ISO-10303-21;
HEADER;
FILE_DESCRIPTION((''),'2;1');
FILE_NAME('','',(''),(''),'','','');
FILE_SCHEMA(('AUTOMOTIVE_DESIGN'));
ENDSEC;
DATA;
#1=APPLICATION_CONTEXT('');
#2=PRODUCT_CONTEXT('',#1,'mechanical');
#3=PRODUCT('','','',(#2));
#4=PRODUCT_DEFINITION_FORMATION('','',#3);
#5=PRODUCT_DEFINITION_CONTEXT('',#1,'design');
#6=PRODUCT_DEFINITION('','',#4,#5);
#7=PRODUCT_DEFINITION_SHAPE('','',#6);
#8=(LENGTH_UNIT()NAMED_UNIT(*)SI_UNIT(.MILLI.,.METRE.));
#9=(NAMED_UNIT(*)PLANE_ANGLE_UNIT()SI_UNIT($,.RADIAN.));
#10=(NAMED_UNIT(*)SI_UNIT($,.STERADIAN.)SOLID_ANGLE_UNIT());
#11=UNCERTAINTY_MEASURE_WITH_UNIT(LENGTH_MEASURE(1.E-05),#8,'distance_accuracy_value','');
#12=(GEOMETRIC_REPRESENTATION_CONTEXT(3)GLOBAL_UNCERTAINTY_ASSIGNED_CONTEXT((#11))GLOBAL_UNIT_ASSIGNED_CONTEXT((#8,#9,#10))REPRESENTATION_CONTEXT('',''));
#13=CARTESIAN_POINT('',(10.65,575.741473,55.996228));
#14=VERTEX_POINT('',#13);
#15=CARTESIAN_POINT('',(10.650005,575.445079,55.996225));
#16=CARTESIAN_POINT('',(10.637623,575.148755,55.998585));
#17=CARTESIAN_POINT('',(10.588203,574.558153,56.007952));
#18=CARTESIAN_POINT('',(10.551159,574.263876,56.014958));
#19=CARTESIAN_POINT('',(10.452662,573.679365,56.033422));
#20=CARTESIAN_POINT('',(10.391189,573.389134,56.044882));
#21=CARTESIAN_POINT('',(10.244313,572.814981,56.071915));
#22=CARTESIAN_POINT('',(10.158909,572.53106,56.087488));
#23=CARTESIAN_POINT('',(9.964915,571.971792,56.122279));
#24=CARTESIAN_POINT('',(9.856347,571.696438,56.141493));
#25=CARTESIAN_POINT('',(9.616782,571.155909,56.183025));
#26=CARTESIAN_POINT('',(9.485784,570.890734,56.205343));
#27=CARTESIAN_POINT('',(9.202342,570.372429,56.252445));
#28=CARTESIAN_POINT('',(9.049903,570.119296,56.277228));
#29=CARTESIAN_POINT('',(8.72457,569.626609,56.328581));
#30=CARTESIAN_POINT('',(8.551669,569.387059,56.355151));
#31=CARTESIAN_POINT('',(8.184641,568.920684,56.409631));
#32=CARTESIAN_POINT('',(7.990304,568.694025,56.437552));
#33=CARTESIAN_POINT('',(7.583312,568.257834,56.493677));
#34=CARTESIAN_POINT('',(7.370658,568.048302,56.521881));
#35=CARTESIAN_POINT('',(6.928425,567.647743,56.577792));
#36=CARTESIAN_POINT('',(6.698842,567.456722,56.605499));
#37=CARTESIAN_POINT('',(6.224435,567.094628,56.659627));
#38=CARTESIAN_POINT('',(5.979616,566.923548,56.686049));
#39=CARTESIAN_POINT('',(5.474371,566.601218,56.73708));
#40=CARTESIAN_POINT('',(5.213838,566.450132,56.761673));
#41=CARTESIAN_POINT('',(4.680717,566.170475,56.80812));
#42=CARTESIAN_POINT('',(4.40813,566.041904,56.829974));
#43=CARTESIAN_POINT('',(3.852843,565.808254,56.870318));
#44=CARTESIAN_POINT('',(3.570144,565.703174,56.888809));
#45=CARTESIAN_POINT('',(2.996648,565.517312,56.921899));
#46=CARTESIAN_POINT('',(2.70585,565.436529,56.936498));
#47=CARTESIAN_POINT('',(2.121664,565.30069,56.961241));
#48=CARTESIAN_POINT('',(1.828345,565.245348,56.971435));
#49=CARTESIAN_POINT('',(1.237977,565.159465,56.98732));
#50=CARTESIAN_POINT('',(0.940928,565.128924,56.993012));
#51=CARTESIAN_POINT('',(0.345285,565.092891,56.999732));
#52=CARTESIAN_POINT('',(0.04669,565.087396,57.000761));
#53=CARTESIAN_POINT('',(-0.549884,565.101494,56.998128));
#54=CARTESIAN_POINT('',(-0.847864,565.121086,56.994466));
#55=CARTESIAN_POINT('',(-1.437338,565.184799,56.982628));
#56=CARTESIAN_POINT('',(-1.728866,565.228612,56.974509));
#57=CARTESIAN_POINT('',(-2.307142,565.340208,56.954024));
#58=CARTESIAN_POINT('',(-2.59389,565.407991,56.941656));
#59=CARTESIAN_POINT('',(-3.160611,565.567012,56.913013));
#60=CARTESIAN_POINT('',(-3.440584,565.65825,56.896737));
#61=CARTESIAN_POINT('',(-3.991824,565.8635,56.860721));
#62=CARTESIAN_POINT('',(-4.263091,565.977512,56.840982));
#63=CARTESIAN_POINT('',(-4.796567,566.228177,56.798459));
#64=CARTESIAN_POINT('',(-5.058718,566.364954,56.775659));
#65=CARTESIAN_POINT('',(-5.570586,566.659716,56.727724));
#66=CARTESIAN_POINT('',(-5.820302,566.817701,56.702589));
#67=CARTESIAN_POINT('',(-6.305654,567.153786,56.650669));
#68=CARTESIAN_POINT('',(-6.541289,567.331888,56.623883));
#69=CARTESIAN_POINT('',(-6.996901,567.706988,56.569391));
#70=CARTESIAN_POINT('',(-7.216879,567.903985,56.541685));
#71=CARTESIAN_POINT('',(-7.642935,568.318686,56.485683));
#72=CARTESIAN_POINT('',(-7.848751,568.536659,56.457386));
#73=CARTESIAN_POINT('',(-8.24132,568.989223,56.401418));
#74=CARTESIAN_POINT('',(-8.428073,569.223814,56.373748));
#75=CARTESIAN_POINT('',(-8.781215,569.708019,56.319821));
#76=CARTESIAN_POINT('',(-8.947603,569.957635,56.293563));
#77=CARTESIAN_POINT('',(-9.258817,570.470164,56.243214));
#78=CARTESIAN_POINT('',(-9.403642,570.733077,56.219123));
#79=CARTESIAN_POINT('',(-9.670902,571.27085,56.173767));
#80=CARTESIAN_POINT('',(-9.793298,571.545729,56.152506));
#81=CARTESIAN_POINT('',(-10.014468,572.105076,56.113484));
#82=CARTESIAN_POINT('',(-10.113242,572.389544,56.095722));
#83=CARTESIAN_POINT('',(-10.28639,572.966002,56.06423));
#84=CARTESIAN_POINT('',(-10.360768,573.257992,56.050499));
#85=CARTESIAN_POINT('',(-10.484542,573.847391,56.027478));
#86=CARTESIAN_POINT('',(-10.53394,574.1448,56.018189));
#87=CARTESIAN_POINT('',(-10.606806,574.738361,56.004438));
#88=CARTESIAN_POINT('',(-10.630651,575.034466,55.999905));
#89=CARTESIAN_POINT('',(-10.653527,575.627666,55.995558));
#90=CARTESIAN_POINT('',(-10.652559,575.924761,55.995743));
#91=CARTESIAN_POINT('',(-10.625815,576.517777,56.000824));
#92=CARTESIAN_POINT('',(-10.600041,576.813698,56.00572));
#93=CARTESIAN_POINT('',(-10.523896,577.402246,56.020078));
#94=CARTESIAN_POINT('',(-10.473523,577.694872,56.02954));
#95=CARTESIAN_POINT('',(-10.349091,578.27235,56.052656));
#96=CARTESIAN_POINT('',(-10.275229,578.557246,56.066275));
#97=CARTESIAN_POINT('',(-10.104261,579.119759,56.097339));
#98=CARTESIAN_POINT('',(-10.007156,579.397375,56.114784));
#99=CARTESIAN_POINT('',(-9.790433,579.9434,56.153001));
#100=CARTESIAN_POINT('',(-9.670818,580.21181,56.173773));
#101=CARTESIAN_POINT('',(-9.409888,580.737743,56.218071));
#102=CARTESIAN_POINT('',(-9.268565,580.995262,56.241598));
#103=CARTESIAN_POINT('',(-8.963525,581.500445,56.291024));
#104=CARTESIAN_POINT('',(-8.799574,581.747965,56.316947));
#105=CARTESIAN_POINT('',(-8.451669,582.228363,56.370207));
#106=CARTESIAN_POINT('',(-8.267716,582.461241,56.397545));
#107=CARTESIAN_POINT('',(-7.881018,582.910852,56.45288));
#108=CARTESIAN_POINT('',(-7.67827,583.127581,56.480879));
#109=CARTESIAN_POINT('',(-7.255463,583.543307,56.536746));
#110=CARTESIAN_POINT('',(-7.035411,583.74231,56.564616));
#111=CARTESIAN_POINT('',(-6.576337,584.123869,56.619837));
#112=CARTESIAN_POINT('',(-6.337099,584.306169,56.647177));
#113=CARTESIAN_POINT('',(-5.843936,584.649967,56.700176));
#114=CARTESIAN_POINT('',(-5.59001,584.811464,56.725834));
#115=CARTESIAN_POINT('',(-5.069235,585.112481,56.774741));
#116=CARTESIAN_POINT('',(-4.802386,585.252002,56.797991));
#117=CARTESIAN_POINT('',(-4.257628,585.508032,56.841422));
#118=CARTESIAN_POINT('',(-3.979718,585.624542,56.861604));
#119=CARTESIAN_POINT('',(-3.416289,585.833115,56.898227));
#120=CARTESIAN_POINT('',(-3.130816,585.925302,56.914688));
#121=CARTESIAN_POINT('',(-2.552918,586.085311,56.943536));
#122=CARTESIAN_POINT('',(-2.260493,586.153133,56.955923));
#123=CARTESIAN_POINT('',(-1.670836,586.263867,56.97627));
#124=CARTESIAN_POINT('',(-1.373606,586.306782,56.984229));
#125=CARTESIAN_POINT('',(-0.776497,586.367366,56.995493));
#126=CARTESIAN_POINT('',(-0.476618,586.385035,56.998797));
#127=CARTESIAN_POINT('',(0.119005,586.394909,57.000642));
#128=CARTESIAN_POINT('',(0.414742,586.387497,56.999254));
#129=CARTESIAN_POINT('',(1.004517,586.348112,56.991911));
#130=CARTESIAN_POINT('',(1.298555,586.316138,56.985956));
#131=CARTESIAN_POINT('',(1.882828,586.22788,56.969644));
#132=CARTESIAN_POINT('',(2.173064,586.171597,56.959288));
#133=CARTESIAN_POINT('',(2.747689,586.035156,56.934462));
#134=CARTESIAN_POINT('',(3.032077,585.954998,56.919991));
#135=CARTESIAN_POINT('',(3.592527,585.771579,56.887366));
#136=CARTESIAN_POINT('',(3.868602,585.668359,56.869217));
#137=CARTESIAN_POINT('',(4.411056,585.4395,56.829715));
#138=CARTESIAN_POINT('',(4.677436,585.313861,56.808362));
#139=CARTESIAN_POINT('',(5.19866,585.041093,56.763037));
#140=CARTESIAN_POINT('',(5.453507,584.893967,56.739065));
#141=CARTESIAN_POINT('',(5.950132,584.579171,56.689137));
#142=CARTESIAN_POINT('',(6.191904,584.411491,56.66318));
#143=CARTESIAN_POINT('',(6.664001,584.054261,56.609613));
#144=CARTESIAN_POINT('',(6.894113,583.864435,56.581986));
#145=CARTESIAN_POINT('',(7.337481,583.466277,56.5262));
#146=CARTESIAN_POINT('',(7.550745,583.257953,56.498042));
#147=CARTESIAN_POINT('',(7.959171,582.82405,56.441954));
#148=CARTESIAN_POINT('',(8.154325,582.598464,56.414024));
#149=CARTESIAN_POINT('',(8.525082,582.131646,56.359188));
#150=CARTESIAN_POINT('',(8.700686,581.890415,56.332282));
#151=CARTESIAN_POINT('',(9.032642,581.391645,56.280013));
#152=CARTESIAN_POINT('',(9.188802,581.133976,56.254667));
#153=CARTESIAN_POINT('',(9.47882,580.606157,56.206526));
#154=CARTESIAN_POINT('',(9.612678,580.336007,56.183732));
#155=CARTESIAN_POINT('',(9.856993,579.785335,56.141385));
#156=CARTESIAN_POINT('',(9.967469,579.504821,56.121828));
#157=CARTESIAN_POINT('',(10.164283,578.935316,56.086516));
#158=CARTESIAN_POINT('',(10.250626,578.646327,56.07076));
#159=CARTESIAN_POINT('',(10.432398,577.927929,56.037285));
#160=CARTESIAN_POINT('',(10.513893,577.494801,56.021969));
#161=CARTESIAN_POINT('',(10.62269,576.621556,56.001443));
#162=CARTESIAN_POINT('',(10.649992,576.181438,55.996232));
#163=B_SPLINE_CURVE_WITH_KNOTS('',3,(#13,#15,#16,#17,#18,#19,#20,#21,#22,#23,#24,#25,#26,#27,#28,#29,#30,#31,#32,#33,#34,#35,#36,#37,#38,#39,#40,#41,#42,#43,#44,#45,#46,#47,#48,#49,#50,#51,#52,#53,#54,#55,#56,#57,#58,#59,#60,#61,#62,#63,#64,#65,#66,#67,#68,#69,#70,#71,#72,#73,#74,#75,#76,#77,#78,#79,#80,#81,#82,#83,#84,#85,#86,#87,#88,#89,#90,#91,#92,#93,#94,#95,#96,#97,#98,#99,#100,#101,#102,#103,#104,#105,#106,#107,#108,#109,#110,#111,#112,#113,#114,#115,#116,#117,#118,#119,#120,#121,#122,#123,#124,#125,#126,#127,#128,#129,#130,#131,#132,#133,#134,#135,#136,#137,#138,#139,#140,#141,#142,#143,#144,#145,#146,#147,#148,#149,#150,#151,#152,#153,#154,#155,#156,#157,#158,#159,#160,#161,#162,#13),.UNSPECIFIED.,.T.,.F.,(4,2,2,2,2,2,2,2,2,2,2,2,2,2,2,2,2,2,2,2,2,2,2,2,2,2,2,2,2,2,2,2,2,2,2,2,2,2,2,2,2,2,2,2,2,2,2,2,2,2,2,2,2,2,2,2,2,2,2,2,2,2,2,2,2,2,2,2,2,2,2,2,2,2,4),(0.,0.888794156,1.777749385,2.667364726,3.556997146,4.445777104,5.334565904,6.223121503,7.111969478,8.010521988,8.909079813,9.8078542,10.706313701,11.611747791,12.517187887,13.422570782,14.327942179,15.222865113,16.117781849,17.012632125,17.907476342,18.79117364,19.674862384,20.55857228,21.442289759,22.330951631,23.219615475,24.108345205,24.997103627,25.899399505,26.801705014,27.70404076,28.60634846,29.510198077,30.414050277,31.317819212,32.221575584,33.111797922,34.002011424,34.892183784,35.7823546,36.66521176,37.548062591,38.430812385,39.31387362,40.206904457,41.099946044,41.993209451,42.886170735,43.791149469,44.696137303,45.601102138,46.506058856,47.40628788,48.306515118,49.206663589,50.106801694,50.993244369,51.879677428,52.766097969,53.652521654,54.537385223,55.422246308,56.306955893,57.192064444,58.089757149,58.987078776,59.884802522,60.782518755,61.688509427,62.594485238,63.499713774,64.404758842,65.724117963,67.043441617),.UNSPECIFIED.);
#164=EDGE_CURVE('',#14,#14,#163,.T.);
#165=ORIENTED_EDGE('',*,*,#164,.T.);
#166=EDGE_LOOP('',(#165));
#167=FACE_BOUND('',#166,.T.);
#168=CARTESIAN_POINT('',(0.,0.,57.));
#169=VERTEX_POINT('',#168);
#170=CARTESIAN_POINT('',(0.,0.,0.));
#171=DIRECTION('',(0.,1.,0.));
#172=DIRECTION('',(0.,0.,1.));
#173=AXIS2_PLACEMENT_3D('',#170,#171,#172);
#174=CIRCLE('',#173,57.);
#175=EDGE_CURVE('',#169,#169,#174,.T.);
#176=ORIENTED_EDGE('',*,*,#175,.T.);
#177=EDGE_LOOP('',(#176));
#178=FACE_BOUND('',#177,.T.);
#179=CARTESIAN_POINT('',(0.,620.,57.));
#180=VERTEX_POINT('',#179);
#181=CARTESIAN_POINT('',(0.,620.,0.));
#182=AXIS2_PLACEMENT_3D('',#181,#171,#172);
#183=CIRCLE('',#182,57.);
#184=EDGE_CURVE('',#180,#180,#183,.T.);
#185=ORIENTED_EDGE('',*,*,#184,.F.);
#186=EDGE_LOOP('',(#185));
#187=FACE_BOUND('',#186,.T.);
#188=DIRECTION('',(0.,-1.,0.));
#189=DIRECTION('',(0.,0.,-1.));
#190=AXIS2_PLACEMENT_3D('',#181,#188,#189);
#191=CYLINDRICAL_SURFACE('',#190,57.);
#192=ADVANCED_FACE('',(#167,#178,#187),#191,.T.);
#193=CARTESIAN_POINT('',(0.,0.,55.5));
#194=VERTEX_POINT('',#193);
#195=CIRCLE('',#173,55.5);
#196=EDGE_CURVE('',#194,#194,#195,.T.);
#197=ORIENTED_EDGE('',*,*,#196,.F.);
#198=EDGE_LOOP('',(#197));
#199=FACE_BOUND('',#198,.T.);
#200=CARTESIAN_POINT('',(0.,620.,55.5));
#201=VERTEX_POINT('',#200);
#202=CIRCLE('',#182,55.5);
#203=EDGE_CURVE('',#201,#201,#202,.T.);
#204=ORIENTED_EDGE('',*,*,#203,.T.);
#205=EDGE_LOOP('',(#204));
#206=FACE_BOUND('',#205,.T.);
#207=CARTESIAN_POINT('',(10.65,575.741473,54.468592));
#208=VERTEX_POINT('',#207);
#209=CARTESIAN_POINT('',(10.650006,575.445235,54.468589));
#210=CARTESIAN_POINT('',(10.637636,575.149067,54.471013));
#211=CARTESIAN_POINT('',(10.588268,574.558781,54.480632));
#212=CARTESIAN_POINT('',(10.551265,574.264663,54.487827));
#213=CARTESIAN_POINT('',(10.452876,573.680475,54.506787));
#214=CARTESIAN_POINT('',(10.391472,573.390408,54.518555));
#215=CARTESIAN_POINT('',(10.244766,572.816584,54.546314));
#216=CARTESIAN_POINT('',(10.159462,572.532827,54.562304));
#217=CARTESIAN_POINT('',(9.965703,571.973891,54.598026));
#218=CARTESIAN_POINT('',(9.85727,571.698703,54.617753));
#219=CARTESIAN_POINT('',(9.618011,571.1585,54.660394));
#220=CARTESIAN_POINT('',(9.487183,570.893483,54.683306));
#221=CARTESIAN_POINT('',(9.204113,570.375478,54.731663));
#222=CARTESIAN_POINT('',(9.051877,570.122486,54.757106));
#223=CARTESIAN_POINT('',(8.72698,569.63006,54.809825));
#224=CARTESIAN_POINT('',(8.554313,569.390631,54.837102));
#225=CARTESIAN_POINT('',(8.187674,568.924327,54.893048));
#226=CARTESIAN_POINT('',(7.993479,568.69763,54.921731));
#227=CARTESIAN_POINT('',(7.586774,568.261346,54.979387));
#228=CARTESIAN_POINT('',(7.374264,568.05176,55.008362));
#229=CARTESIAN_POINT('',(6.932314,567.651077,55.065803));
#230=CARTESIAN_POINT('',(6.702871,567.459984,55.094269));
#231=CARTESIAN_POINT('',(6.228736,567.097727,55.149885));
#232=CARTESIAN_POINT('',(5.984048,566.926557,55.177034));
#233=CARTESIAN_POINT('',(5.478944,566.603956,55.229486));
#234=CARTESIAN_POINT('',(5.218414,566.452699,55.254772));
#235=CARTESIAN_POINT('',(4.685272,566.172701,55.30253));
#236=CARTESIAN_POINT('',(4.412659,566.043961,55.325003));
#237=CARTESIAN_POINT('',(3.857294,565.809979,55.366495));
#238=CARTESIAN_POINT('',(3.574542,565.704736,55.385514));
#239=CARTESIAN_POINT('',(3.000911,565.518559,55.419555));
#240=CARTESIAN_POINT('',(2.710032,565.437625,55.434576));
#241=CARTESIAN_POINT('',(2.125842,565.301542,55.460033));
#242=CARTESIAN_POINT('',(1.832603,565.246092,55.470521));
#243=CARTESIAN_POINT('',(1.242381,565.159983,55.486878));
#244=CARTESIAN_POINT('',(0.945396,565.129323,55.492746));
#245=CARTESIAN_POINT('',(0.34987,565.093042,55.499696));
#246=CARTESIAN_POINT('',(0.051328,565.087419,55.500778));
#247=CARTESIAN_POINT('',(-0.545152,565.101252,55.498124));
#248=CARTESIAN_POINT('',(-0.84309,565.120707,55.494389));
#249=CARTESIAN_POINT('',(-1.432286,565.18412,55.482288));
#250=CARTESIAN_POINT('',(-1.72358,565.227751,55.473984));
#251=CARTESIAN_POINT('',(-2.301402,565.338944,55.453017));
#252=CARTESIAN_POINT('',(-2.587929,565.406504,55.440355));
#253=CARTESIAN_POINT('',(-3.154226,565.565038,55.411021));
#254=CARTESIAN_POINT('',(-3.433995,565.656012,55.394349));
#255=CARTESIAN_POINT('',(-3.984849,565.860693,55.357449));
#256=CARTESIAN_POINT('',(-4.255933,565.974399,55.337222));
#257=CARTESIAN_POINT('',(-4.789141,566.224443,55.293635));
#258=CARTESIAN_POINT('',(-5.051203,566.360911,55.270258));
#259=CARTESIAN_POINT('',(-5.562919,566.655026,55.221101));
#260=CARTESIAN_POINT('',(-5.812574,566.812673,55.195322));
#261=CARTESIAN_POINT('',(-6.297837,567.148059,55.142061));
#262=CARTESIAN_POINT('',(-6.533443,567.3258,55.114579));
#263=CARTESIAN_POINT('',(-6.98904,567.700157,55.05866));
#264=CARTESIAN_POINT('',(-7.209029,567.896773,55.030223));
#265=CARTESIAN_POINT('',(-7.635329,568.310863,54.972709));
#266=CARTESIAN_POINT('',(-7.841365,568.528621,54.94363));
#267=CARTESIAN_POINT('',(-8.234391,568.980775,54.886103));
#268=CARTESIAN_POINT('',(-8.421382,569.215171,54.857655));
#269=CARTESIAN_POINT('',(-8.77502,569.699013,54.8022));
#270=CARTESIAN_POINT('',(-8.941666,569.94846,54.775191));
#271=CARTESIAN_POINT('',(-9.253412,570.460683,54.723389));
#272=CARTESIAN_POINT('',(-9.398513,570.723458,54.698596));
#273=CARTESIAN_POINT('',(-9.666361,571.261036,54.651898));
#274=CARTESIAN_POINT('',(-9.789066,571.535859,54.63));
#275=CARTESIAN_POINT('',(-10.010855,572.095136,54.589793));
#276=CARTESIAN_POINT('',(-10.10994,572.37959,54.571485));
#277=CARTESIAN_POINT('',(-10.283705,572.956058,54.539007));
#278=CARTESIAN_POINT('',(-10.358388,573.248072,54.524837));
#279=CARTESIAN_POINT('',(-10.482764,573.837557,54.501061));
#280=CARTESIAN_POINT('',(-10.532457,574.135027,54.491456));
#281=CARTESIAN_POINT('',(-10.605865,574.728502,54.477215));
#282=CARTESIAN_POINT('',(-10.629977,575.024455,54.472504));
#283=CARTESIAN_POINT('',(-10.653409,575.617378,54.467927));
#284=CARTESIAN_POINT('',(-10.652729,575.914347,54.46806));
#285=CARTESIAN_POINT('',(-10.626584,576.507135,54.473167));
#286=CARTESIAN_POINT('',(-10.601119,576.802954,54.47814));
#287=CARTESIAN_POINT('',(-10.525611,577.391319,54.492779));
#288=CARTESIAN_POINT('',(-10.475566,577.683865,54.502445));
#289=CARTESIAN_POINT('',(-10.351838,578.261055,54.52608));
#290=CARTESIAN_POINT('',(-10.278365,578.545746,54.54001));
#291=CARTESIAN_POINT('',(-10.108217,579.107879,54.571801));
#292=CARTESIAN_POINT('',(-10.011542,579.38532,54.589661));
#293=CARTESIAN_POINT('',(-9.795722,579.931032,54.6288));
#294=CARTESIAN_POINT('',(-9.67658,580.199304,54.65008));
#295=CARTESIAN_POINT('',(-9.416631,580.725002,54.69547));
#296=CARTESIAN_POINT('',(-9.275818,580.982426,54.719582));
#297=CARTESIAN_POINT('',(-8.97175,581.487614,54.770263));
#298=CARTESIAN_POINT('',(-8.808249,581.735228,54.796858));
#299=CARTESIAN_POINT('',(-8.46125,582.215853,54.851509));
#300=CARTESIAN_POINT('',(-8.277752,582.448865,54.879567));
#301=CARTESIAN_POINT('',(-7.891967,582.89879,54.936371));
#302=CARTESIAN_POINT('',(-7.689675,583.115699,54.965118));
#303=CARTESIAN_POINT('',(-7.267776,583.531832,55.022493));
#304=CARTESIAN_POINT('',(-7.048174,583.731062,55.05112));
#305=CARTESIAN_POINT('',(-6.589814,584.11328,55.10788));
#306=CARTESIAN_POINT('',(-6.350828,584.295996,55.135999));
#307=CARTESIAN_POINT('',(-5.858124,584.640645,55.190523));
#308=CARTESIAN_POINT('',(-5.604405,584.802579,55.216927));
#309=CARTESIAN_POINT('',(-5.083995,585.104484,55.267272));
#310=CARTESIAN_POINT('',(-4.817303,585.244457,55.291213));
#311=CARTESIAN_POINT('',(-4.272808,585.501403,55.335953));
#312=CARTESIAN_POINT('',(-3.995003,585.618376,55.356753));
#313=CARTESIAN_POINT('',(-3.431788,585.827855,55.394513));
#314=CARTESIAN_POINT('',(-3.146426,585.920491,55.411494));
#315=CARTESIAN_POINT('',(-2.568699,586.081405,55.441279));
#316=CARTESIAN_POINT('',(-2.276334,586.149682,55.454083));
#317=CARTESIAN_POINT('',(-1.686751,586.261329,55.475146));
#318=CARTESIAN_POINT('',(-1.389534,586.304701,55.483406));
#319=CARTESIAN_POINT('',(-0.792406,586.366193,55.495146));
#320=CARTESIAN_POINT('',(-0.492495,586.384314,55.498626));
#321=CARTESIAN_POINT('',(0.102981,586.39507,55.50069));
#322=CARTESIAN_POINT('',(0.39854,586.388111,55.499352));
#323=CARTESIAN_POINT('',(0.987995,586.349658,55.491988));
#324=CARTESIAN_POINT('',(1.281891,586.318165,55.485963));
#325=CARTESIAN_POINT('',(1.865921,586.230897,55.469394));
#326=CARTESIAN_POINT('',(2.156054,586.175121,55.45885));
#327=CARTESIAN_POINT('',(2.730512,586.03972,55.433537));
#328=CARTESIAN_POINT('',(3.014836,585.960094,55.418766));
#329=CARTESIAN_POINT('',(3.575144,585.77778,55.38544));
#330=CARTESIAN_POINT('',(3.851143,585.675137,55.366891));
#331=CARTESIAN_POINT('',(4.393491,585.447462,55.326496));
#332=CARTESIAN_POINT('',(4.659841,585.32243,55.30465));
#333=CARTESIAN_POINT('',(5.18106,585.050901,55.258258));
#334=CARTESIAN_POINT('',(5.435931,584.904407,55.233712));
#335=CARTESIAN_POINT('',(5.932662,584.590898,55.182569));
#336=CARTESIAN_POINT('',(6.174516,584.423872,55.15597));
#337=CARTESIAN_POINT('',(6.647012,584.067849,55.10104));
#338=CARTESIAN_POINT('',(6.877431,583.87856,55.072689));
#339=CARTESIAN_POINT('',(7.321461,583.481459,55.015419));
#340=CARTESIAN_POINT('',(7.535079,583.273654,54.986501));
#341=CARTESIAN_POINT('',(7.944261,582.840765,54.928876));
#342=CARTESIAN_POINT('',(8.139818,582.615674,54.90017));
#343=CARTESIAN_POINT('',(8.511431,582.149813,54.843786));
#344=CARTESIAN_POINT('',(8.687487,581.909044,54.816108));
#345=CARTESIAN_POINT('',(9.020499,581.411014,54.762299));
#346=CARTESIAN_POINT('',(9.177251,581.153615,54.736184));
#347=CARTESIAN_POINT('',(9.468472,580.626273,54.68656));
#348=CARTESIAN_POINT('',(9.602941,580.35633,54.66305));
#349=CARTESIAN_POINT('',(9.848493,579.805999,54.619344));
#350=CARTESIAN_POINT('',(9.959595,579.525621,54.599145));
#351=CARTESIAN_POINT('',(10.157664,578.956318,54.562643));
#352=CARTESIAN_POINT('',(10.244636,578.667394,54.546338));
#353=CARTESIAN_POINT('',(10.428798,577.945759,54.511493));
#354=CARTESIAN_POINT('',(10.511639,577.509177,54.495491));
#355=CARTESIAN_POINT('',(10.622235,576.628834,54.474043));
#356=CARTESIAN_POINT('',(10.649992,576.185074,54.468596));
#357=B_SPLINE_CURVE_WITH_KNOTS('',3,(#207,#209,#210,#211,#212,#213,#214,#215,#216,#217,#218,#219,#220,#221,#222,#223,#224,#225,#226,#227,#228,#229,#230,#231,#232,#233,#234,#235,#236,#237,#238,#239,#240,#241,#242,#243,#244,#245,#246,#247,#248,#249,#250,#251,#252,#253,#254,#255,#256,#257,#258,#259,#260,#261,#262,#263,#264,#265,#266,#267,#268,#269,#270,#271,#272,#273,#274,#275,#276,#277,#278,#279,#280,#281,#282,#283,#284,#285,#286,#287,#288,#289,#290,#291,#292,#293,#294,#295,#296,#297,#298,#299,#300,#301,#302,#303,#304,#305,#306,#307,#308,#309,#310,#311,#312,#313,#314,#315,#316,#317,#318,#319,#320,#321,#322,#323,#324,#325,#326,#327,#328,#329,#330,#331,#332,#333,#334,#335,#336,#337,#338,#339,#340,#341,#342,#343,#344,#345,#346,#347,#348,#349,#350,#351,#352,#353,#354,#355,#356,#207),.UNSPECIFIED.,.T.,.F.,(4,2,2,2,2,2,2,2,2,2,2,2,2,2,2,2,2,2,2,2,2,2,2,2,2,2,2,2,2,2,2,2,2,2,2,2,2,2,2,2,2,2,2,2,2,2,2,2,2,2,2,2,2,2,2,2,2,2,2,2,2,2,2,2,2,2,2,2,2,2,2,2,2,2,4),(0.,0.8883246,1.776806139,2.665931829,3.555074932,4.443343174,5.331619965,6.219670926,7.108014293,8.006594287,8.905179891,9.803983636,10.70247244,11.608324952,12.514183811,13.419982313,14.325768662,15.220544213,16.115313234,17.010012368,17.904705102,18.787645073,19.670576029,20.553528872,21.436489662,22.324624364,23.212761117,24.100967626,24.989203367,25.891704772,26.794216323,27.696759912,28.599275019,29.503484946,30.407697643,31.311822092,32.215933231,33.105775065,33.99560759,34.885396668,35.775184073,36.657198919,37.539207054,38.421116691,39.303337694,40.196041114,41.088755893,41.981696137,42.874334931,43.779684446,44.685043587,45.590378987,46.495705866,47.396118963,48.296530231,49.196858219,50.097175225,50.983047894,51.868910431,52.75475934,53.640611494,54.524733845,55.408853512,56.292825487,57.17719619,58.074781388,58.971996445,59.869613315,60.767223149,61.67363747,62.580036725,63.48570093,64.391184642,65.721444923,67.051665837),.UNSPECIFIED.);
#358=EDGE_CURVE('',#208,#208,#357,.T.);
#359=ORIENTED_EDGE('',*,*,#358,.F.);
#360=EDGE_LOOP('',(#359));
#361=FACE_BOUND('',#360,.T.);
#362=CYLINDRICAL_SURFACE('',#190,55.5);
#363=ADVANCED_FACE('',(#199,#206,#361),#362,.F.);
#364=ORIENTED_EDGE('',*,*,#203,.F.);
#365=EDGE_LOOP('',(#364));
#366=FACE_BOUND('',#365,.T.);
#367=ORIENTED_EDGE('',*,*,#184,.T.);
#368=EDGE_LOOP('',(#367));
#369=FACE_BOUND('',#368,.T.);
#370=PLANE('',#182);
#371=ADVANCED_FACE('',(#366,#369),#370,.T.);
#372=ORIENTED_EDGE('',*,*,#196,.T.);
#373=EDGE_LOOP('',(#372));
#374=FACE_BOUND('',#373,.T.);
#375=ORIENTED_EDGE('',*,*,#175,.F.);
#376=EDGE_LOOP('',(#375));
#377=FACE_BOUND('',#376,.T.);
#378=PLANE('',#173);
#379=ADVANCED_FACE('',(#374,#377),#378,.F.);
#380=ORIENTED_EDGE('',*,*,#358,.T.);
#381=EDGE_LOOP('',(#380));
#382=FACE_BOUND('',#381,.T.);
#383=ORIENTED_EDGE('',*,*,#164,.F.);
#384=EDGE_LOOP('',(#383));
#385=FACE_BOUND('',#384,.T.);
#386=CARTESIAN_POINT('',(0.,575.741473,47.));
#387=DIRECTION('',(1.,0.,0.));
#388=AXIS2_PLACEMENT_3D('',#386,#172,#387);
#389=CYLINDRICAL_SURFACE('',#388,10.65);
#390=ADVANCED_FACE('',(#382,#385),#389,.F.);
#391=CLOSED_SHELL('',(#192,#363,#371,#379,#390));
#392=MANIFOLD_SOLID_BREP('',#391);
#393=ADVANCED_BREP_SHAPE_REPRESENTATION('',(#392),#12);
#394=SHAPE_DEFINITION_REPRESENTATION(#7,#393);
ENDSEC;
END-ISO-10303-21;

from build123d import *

# Parameters (mm, degrees)
CROQUIS1_R              = 57
CROQUIS1_R_2            = 55.5
SALIENTE_EXTRUIR1_DEPTH = 620
CROQUIS2_R              = 10.65
CORTAR_EXTRUIR1_DEPTH   = 10


with BuildPart() as part:
    # Croquis1 → Saliente-Extruir1 (new body)
    with BuildSketch(Plane(origin=(0, 0, 0), x_dir=(1, 0, 0), z_dir=(0, 1, 0))):
        with Locations(Location((0, 0, 0), (0, 0, 270))):
            Circle(CROQUIS1_R)
        with Locations(Location((0, 0, 0), (0, 0, 270))):
            Circle(CROQUIS1_R_2, mode=Mode.SUBTRACT)
    extrude(amount=SALIENTE_EXTRUIR1_DEPTH)

    # Croquis2 → Cortar-Extruir1 (cut)
    with BuildSketch(Plane.XY.offset(57)):
        with Locations((0, 575.741472633)):
            Circle(CROQUIS2_R)
    extrude(amount=-CORTAR_EXTRUIR1_DEPTH, mode=Mode.SUBTRACT)


solid = part.part
